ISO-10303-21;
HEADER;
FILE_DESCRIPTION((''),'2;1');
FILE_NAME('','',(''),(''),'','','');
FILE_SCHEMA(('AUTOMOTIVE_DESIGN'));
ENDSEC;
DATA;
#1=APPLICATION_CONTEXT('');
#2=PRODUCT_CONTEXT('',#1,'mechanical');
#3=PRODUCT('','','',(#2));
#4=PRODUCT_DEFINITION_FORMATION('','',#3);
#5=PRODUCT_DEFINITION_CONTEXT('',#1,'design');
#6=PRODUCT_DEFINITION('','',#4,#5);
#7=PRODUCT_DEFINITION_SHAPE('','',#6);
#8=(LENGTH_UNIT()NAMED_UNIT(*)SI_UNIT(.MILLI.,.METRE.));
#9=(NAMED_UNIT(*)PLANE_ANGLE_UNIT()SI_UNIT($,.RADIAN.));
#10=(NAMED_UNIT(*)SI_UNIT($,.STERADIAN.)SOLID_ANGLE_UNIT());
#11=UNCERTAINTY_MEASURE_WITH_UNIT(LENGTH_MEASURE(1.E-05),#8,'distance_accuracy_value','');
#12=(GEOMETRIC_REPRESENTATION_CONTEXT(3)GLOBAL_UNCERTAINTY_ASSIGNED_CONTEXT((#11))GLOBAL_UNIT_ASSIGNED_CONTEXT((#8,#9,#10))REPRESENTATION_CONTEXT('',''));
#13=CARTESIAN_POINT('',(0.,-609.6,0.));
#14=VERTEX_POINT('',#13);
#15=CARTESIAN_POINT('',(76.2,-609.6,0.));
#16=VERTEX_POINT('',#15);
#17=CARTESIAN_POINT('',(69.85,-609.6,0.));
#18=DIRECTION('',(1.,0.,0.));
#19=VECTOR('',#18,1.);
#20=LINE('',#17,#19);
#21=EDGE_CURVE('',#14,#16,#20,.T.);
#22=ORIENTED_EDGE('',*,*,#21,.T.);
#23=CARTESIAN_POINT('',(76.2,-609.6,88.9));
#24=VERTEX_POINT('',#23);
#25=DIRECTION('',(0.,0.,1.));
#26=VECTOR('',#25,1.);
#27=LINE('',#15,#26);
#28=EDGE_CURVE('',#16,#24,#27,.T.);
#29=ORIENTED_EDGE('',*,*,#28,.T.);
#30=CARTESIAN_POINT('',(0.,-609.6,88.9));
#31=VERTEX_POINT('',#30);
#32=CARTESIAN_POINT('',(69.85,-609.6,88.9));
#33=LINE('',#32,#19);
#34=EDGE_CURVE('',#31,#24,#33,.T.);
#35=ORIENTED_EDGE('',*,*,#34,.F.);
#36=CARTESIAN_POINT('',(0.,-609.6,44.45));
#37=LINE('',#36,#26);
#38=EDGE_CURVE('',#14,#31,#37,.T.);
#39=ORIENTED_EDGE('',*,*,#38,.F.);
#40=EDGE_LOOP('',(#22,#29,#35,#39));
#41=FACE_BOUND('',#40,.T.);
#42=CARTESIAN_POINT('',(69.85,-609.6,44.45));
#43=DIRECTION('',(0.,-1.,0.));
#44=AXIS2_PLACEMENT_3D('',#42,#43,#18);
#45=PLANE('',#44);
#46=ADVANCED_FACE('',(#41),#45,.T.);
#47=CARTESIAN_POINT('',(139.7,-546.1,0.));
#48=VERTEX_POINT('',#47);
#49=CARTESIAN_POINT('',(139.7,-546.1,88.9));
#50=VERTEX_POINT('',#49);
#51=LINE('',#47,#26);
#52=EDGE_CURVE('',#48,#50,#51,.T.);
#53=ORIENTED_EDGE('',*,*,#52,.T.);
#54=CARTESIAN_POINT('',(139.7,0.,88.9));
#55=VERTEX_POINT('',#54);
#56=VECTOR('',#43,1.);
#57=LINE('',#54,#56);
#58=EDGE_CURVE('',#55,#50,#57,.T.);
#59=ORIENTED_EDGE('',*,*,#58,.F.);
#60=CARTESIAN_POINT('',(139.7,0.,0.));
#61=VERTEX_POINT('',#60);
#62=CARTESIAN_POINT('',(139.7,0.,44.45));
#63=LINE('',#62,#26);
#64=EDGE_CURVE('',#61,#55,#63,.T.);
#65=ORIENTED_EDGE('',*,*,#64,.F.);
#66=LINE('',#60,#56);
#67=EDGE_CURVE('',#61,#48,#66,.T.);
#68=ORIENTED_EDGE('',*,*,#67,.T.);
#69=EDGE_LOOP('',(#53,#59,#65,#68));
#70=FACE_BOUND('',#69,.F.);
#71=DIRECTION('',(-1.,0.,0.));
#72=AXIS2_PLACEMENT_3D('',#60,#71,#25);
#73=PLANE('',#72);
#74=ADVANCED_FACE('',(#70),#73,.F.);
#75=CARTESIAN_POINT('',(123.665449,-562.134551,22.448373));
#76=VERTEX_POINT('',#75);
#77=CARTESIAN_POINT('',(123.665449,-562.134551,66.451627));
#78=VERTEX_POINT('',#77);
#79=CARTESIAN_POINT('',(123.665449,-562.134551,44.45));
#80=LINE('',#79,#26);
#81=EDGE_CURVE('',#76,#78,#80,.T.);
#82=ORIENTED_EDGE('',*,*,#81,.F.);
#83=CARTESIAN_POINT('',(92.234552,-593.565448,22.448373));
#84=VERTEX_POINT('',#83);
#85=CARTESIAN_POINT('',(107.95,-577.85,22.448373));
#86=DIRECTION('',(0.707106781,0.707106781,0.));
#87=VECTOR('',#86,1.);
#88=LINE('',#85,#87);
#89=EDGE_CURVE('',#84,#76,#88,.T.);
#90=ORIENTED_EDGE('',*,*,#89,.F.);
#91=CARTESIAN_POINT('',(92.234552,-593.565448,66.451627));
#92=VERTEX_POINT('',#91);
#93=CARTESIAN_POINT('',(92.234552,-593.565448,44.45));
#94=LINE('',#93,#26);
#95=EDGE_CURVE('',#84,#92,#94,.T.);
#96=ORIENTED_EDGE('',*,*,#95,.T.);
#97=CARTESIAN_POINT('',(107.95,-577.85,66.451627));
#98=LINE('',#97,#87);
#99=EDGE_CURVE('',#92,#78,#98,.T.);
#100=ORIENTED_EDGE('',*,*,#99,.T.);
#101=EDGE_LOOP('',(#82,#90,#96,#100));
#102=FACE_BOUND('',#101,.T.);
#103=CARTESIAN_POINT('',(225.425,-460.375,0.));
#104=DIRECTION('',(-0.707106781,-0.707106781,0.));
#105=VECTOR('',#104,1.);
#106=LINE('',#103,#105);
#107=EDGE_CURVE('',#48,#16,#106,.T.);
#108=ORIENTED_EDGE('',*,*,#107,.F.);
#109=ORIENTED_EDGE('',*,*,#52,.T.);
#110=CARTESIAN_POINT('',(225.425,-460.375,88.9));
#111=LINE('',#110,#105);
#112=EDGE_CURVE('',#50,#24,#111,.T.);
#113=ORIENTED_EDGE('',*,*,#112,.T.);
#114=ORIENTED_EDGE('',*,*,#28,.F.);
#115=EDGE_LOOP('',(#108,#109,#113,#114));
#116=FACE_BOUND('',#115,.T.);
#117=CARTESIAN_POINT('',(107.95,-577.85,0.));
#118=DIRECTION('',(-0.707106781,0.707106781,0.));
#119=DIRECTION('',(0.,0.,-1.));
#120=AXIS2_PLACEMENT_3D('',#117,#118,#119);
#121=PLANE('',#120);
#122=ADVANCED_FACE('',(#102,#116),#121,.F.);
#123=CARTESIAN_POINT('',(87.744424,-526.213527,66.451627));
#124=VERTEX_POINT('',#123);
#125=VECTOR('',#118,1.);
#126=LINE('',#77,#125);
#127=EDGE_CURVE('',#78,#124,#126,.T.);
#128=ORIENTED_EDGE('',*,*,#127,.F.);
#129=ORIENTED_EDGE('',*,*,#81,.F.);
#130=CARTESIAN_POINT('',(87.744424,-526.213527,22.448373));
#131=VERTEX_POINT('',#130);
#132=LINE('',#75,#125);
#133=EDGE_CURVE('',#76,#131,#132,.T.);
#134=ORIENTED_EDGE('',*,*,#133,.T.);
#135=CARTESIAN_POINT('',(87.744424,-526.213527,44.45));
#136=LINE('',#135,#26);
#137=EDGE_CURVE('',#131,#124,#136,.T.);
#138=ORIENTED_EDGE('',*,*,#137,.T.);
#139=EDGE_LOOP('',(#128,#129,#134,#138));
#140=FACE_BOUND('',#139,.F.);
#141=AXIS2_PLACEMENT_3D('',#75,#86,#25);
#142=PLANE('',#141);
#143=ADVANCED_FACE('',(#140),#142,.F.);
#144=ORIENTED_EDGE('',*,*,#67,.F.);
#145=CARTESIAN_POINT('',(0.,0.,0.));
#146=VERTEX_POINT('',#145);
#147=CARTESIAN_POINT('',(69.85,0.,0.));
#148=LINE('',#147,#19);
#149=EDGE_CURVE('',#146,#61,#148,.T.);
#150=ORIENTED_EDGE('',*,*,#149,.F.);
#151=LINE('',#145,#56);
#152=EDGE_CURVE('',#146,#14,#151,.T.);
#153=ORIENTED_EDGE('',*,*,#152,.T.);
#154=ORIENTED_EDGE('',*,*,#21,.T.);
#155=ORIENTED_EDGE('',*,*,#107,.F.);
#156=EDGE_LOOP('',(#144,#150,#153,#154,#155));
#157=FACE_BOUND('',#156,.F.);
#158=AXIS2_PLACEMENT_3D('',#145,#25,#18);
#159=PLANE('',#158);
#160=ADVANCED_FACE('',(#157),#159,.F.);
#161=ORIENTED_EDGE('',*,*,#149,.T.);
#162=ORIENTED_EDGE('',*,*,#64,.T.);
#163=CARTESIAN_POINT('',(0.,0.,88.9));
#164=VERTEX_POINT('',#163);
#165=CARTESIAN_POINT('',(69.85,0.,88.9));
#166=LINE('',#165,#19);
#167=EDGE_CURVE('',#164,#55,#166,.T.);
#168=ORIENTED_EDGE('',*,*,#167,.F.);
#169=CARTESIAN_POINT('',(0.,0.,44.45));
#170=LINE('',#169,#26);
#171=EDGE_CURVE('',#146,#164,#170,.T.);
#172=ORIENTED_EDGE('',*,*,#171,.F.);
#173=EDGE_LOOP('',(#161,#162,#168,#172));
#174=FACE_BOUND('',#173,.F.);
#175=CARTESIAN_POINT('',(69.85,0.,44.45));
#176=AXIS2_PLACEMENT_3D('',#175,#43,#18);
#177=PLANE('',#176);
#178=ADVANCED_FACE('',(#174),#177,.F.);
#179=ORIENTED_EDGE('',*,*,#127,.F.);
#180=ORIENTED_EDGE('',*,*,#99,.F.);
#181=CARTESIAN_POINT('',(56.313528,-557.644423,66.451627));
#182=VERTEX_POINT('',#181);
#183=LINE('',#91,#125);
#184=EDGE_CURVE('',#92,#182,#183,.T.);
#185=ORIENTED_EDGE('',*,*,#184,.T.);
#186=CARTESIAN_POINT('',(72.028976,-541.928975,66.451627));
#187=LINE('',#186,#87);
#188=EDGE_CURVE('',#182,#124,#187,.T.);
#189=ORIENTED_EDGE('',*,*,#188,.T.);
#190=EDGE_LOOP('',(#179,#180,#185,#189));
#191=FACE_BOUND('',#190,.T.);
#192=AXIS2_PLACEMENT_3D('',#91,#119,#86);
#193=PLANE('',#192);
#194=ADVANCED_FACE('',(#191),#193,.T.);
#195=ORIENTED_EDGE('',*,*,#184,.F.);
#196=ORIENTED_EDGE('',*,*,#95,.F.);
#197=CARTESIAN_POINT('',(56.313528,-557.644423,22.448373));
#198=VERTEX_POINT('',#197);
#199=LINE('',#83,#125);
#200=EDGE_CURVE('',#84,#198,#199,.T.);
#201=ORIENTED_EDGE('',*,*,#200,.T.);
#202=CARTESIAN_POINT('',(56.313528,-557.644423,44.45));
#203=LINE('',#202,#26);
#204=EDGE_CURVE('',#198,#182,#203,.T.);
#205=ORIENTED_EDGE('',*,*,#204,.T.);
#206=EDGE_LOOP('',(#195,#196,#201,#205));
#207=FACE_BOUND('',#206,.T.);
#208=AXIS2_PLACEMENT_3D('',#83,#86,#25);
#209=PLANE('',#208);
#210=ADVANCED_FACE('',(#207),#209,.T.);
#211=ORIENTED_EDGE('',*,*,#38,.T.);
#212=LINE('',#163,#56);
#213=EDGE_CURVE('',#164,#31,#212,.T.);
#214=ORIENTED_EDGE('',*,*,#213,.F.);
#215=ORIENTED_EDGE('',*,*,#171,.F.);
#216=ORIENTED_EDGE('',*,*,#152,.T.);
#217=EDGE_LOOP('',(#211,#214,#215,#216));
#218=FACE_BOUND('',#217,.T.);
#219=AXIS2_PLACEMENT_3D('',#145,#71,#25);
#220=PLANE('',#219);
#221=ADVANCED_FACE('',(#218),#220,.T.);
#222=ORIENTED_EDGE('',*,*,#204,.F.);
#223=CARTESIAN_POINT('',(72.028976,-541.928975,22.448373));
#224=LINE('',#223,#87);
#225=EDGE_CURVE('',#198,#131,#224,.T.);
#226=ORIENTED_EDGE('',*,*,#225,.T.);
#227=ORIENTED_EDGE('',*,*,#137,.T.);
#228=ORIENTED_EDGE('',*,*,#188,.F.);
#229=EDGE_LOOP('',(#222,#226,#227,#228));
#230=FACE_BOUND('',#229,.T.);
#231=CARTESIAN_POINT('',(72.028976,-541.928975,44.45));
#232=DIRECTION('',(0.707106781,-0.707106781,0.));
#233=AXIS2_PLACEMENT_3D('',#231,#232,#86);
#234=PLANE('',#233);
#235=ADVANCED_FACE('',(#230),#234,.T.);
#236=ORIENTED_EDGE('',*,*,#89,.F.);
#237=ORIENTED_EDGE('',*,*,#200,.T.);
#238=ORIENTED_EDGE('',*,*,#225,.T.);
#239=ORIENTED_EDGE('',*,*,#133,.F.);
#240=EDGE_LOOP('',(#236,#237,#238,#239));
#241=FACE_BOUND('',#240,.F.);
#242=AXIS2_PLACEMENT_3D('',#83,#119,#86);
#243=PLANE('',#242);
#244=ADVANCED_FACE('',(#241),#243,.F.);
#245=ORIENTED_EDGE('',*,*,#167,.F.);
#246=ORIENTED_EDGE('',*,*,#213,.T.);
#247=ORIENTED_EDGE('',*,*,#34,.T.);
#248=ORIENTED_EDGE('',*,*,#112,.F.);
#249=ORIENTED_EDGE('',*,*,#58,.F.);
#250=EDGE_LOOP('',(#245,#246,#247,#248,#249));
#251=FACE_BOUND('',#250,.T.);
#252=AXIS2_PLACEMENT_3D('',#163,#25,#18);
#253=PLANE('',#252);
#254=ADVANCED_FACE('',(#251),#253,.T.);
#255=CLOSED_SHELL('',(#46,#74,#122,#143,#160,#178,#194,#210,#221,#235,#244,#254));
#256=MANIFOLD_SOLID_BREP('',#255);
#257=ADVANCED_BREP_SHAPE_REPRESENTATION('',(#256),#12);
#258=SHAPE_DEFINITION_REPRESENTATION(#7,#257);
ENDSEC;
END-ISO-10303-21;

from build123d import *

# Parameters (mm, degrees)
F0_W     = 139.7
F0_H     = 88.9
F1_DEPTH = 609.6
F2_SIZE  = 63.5
F3_W     = 44.45
F3_H     = 44.003254
F4_DEPTH = 50.8


with BuildPart() as f1:
    # F0 (on Front) → F1 (new body)
    with BuildSketch(Plane.XZ):
        with Locations((69.85, 44.45)):
            Rectangle(F0_W, F0_H)
    extrude(amount=F1_DEPTH)

    # F2
    f2_edges = [f1.edges().sort_by_distance(p)[0] for p in [
        (139.7, -609.6, 44.45),
    ]]
    chamfer(f2_edges, length=F2_SIZE)

    # F3 (on face) → F4 (cut)
    with BuildSketch(Plane(origin=(342.9, -342.9, 0), x_dir=(0.707107, 0.707107, 0), z_dir=(0.707107, -0.707107, 0))):
        with Locations((-332.269476, 44.45)):
            Rectangle(F3_W, F3_H)
    extrude(amount=-F4_DEPTH, mode=Mode.SUBTRACT)


solid = f1.part
